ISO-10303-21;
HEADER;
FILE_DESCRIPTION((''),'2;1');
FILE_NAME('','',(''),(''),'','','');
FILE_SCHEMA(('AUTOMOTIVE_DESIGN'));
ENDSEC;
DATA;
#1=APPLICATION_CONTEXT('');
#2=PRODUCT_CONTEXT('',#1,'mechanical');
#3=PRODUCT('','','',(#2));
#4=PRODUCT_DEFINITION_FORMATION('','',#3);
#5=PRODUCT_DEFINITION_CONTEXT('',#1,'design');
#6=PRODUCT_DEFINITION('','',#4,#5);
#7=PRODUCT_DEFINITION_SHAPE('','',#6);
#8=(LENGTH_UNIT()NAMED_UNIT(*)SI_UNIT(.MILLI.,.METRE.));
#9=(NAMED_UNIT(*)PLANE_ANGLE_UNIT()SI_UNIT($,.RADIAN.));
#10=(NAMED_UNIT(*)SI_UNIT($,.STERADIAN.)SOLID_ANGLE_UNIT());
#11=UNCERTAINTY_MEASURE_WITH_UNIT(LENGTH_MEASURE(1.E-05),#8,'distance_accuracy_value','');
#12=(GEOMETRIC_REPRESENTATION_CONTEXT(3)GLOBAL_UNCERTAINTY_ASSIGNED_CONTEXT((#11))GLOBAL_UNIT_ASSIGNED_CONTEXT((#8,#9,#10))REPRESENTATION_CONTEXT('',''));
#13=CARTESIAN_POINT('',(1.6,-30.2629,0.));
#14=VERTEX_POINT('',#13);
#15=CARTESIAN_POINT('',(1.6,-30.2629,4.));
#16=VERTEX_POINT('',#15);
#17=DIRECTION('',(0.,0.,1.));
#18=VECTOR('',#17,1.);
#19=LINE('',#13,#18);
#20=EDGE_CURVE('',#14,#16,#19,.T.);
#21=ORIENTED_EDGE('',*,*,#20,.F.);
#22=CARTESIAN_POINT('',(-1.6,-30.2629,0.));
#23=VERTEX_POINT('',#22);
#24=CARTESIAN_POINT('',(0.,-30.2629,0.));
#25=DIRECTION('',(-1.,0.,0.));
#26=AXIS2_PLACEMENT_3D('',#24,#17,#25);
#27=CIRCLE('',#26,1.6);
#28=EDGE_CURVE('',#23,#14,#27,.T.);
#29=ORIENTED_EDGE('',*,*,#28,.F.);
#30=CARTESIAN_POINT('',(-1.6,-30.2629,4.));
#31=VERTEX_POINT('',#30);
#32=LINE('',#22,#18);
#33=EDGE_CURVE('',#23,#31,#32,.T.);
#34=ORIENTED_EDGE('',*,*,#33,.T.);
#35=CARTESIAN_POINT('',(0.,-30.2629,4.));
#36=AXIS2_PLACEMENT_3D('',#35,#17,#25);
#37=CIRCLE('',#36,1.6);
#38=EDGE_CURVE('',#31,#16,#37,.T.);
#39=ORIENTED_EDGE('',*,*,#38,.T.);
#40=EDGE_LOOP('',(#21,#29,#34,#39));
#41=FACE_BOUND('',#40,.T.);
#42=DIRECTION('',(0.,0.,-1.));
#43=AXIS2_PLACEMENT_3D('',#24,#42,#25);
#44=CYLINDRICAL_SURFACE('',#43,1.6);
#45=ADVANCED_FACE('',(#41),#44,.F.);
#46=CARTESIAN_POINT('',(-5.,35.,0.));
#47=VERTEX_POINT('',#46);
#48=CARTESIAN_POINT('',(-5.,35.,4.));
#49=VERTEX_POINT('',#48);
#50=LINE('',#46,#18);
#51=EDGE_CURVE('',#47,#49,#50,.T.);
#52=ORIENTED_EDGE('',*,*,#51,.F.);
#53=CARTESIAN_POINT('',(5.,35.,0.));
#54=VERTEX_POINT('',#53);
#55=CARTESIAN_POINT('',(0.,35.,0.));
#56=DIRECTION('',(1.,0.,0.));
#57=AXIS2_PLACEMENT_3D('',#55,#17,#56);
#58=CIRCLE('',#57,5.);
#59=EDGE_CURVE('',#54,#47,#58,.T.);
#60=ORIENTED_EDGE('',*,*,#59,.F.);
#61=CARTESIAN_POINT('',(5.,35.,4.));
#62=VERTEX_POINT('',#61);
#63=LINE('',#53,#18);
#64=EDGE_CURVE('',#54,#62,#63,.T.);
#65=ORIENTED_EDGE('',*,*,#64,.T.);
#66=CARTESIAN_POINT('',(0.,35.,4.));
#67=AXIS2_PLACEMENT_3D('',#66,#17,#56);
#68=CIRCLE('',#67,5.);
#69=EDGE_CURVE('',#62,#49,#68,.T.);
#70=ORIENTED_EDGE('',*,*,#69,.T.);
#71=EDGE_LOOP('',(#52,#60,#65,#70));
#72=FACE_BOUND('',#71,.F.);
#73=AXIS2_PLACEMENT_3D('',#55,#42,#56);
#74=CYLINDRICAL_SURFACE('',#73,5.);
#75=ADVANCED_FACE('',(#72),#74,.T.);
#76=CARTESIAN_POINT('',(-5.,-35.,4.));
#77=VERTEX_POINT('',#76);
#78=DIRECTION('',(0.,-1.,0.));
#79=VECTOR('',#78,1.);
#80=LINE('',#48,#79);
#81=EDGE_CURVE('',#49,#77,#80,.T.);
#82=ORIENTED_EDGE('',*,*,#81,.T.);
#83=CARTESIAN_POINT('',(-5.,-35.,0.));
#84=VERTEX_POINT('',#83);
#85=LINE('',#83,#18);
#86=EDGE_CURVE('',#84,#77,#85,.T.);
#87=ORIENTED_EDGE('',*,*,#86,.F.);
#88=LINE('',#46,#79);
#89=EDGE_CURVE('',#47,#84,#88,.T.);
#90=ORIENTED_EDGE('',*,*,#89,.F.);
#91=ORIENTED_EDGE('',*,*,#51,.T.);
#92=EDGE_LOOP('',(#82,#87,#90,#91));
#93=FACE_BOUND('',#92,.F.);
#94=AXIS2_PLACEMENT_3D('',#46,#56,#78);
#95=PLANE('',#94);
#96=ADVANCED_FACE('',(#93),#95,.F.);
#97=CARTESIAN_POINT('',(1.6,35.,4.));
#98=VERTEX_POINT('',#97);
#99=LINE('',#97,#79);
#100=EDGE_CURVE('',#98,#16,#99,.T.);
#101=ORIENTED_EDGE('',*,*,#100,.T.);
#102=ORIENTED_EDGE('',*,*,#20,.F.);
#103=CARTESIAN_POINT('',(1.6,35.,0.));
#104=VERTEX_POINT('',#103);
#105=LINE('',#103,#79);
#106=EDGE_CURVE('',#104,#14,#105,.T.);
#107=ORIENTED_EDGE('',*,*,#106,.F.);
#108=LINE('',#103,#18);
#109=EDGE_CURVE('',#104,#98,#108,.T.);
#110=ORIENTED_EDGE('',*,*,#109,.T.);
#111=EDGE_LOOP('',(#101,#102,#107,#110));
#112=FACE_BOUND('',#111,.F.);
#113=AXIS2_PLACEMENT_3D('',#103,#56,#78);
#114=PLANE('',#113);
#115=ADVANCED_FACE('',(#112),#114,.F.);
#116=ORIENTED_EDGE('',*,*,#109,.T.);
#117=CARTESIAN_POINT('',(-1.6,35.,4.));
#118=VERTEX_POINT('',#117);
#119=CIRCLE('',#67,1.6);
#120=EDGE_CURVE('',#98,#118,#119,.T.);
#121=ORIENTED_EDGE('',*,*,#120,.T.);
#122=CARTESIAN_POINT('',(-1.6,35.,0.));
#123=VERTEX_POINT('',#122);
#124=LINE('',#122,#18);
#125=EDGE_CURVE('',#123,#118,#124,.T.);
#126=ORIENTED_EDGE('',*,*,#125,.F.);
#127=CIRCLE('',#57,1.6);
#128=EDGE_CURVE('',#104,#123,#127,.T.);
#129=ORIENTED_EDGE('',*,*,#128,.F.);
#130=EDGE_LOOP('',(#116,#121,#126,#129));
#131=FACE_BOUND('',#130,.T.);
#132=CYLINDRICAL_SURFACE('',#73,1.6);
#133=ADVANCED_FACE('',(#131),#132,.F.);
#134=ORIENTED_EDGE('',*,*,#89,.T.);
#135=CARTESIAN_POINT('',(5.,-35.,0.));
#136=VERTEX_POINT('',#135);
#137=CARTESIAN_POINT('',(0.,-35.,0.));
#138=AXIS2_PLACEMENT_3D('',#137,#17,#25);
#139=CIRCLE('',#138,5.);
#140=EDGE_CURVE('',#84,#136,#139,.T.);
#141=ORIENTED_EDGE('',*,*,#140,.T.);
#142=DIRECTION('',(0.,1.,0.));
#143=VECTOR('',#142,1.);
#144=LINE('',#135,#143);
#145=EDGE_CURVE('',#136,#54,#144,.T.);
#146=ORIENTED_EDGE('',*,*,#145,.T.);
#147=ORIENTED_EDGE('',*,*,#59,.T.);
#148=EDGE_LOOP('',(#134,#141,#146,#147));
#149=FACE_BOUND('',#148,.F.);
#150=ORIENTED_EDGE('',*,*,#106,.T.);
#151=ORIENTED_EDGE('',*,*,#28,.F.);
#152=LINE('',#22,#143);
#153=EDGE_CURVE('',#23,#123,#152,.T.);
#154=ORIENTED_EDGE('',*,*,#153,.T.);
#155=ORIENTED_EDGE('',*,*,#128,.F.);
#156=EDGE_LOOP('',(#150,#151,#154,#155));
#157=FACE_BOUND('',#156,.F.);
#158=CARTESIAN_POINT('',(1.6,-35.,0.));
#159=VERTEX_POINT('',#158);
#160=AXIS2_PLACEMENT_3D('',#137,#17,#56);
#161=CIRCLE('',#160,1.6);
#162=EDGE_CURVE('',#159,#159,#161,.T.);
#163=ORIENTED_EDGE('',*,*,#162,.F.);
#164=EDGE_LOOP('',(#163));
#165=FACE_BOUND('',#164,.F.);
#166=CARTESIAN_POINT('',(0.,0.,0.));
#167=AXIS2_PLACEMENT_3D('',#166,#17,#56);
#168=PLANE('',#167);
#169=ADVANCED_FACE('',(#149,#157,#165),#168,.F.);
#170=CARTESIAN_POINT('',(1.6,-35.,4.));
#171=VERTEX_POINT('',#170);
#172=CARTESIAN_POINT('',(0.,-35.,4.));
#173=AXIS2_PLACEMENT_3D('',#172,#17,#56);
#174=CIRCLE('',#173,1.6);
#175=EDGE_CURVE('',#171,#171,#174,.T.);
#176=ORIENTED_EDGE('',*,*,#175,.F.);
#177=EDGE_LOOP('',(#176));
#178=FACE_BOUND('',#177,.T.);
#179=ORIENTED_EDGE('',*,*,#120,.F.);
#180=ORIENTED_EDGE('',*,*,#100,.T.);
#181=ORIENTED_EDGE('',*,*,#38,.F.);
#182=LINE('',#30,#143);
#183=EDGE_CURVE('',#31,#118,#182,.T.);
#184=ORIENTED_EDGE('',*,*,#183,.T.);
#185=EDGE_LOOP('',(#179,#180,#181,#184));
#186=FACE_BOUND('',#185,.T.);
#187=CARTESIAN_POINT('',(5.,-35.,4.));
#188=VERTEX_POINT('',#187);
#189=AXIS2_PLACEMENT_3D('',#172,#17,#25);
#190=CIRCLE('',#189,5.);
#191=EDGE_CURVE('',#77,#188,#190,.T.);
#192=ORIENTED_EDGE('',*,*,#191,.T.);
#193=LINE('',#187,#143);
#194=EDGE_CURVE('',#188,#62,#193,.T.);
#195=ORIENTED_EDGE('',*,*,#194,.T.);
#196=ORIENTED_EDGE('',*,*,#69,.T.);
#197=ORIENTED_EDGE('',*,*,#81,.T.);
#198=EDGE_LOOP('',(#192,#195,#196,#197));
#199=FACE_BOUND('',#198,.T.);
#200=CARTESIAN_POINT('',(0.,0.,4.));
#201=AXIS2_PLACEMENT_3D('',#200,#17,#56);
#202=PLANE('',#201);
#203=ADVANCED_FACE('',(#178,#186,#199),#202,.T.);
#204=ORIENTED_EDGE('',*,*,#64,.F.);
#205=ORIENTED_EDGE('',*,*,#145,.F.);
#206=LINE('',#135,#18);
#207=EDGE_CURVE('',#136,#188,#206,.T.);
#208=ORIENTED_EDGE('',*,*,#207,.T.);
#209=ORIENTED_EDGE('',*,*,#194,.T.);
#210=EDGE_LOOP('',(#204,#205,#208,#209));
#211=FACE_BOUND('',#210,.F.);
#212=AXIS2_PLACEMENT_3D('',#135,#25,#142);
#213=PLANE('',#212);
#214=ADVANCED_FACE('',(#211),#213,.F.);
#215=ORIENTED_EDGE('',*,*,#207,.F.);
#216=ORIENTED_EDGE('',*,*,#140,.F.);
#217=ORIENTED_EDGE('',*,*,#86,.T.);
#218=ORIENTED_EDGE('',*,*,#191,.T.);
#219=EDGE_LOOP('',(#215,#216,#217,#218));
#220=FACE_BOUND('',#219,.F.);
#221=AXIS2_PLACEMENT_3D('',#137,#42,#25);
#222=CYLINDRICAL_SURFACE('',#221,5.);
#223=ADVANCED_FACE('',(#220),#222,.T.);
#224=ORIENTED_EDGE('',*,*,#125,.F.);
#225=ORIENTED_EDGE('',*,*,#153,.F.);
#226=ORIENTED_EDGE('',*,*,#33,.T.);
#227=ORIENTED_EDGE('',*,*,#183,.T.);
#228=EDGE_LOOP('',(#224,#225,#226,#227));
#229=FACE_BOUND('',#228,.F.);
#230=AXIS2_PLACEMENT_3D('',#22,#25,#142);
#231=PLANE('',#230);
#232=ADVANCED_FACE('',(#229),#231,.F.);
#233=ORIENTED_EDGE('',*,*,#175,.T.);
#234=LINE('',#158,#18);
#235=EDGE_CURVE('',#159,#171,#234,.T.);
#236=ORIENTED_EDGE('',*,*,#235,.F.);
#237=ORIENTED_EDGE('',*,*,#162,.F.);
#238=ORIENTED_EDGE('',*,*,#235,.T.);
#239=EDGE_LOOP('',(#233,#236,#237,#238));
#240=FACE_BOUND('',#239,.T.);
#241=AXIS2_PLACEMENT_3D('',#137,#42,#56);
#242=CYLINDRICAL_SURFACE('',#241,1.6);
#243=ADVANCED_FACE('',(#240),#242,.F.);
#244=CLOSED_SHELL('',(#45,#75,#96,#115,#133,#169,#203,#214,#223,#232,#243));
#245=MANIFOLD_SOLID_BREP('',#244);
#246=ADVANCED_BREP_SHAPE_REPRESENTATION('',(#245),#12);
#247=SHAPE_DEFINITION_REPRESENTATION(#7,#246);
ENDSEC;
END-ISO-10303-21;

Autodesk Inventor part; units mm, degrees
ref_plane "YZ Plane" through (0, 0, 0) normal (1, 0, 0) x (0, 1, 0)
ref_plane "XZ Plane" through (0, 0, 0) normal (0, 1, 0) x (-1, 0, 0)
ref_plane "XY Plane" through (0, 0, 0) normal (0, 0, 1) x (1, 0, 0)
sketch "Эскиз1" plane through (0, 0, 0) normal (0, 0, 1) x (1, 0, 0)
  arc A0 (5, 35) -> (-5, 35) centre (0, 35) ccw projected
  line L0 (-5, 35) -> (-5, -35) projected
  arc A1 (-5, -35) -> (5, -35) centre (0, -35) ccw projected
  line L1 (5, -35) -> (5, 35) projected
  arc A2 (-1.6, -30.2629) -> (1.6, -30.2629) centre (0, -30.2629) ccw projected
  line L2 (-1.6, -30.2629) -> (-1.6, 35) projected
  arc A3 (1.6, 35) -> (-1.6, 35) centre (0, 35) ccw projected
  line L3 (1.6, 35) -> (1.6, -30.2629) projected
  circle A4 centre (0, -35) radius 1.6 projected
  point P0 (0, 0)
extrude "Выдавливание1" add sketch "Эскиз1" along normal blind 4
properties part number "holder"
